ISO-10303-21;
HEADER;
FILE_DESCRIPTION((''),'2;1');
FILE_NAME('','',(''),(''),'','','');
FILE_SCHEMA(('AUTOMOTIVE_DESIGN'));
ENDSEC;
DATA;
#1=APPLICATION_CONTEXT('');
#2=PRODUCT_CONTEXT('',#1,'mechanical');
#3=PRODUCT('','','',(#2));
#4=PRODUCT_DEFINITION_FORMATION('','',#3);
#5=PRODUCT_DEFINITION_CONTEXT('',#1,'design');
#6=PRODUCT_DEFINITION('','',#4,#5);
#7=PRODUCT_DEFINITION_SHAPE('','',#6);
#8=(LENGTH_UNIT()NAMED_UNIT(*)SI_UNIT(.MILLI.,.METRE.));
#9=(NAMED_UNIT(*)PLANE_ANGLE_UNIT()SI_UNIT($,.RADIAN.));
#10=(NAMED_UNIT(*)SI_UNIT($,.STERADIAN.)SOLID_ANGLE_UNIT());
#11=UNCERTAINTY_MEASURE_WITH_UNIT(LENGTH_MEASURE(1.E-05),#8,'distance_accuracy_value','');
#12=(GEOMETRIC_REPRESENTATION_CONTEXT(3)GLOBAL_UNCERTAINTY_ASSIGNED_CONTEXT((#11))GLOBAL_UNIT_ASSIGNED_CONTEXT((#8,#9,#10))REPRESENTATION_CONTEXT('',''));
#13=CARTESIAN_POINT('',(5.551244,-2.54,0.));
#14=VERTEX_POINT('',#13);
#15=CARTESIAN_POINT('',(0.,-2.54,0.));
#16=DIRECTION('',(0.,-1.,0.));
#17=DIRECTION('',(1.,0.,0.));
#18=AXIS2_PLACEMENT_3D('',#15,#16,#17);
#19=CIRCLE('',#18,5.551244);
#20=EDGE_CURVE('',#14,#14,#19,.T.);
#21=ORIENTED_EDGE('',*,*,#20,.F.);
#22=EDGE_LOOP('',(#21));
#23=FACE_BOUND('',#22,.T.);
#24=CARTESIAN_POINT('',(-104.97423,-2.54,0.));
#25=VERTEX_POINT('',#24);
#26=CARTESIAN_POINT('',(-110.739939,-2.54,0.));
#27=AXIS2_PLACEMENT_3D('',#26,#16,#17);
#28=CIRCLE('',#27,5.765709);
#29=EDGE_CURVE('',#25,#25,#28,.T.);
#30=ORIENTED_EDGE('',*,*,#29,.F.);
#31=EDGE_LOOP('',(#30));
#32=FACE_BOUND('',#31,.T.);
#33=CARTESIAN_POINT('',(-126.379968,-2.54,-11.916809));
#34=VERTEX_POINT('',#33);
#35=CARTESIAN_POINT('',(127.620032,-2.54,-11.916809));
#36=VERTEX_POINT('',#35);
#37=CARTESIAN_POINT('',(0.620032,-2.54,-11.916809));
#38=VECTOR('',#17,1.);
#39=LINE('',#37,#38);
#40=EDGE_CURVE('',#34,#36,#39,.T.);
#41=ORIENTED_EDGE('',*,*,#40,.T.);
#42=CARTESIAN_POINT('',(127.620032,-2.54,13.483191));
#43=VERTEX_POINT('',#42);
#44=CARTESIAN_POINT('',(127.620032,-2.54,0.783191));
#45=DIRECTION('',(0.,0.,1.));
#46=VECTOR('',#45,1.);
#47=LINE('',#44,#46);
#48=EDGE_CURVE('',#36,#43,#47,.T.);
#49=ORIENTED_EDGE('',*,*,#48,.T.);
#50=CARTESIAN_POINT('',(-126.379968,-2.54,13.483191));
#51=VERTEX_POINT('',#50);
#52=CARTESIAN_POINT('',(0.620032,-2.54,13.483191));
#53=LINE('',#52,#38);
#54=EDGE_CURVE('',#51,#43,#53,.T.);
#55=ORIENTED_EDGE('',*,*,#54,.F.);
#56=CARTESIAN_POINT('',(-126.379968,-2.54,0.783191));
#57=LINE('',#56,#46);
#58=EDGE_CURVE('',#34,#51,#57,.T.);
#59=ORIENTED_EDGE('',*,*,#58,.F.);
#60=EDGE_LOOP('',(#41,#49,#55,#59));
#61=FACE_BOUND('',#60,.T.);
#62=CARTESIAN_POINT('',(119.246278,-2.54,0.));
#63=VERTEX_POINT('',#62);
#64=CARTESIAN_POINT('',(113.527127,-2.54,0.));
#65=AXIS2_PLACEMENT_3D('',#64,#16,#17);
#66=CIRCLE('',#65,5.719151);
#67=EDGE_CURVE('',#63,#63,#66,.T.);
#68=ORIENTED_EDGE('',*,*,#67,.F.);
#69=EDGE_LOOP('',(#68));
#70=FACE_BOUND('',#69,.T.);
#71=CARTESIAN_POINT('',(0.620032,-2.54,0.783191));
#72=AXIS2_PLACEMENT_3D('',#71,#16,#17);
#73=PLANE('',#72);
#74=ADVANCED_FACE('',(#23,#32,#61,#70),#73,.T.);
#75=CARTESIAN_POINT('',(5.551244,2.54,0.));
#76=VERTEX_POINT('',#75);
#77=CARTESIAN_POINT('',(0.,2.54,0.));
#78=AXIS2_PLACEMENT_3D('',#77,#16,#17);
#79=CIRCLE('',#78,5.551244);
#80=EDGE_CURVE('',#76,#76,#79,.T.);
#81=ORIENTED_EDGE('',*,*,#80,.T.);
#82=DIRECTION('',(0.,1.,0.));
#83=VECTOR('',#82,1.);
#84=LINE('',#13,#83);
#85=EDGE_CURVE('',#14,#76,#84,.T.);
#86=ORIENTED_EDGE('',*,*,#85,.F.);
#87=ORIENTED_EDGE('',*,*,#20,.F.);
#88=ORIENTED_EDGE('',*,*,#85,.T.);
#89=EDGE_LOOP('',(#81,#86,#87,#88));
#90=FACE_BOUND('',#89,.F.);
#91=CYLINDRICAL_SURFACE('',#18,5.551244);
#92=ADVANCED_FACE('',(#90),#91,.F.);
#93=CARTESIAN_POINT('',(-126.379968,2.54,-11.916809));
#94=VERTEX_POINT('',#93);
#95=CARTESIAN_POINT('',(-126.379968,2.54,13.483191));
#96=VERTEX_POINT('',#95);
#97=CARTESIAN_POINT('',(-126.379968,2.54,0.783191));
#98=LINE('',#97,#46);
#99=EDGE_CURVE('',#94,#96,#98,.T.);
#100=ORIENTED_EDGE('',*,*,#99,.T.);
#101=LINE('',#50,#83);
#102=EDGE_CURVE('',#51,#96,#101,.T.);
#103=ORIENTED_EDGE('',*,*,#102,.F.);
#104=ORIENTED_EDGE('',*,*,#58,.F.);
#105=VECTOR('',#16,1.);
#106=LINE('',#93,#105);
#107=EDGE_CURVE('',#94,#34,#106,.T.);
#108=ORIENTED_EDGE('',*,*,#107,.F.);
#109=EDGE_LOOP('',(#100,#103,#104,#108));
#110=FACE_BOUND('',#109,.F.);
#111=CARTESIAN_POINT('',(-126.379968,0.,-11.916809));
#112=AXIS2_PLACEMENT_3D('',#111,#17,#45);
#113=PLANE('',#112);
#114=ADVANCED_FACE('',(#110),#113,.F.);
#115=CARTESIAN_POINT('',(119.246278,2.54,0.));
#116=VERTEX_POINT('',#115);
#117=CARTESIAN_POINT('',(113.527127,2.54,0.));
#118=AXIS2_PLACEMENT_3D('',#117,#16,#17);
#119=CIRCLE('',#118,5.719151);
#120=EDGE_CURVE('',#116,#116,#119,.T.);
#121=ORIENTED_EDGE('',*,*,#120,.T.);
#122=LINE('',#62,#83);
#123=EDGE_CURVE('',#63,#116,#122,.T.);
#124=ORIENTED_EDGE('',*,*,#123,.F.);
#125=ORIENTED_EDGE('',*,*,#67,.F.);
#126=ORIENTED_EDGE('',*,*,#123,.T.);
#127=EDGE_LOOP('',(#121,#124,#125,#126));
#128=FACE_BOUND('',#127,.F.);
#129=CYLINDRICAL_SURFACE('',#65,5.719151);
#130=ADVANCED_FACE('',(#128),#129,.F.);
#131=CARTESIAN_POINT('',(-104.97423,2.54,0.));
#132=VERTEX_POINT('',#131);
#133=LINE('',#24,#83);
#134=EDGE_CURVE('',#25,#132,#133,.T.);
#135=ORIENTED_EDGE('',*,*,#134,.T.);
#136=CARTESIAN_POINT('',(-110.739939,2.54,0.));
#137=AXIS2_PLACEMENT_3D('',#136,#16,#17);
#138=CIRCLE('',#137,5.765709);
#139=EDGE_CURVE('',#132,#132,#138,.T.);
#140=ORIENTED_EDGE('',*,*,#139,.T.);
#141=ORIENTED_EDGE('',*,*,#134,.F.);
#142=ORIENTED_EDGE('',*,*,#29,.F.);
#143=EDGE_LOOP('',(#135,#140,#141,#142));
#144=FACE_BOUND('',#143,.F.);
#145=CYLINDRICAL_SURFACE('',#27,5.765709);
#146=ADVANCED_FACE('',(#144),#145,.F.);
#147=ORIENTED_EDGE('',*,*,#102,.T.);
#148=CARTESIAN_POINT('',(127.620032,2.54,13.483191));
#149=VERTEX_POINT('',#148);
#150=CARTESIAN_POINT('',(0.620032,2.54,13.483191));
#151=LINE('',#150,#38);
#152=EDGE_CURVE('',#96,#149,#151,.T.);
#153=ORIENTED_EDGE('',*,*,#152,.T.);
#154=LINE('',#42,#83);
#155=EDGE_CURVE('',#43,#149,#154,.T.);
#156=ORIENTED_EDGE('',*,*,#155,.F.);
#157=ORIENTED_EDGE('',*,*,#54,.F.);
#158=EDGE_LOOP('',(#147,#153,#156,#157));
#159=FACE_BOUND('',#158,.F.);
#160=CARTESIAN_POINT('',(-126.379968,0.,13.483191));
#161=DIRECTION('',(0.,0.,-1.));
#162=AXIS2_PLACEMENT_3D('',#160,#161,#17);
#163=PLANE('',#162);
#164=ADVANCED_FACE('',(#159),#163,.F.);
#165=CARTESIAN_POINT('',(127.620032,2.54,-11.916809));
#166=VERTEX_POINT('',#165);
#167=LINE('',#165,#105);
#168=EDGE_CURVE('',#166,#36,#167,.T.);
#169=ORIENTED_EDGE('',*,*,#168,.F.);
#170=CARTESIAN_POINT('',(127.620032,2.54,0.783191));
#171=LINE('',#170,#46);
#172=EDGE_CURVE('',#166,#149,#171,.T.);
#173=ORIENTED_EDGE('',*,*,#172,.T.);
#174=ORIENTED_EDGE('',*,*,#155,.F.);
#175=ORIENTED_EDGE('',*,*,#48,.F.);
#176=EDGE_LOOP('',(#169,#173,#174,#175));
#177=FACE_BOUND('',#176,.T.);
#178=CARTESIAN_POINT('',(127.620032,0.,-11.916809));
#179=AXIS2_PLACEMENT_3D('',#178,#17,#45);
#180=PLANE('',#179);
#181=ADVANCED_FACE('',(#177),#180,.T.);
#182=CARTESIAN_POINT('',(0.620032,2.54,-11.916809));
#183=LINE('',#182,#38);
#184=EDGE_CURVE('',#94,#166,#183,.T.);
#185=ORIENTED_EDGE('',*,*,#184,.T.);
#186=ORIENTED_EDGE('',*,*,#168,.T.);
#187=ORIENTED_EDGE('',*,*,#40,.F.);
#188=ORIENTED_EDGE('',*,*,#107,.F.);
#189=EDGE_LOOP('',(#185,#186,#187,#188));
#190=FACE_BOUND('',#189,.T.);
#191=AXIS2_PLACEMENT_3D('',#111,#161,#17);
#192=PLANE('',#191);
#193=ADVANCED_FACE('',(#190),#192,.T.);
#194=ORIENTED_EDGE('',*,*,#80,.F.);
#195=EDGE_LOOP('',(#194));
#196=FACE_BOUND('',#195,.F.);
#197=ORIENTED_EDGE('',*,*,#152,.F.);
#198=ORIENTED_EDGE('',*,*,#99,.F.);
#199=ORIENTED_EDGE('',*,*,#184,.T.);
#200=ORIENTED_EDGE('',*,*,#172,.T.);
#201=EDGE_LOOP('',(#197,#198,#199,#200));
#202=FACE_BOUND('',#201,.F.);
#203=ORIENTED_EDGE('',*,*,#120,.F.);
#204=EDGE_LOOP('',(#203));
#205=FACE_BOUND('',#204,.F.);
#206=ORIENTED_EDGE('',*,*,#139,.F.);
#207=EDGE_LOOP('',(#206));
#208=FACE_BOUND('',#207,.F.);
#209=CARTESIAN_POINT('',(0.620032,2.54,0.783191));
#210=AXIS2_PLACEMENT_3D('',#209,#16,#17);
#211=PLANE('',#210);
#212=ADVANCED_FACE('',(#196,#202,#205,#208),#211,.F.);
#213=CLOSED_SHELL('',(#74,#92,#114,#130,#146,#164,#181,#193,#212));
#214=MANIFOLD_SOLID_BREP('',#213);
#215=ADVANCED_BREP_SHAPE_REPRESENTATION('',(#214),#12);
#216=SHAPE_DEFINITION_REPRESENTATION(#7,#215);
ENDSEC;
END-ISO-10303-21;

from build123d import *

# Parameters (mm, degrees)
F0_W     = 254
F0_H     = 25.4
F1_DEPTH = 2.54
F2_R     = 5.765709
F2_R_2   = 5.719151
F3_DEPTH = 38.1
F4_R     = 5.551244
F5_DEPTH = 25.4


with BuildPart() as f1:
    # F0 (on Front) → F1 (new body, symmetric)
    with BuildSketch(Plane.XZ):
        with Locations((0.620032, 0.783191)):
            Rectangle(F0_W, F0_H)
    extrude(amount=F1_DEPTH, both=True)

    # F2 (on face) → F3 (cut)
    with BuildSketch(Plane.XZ.offset(2.54)):
        with Locations((-110.739939, 0)):
            Circle(F2_R)
        with Locations((113.527127, 0)):
            Circle(F2_R_2)
    extrude(amount=-F3_DEPTH, mode=Mode.SUBTRACT)

    # F4 (on face) → F5 (cut)
    with BuildSketch(Plane.XZ.offset(2.54)):
        Circle(F4_R)
    extrude(amount=-F5_DEPTH, mode=Mode.SUBTRACT)


solid = f1.part
